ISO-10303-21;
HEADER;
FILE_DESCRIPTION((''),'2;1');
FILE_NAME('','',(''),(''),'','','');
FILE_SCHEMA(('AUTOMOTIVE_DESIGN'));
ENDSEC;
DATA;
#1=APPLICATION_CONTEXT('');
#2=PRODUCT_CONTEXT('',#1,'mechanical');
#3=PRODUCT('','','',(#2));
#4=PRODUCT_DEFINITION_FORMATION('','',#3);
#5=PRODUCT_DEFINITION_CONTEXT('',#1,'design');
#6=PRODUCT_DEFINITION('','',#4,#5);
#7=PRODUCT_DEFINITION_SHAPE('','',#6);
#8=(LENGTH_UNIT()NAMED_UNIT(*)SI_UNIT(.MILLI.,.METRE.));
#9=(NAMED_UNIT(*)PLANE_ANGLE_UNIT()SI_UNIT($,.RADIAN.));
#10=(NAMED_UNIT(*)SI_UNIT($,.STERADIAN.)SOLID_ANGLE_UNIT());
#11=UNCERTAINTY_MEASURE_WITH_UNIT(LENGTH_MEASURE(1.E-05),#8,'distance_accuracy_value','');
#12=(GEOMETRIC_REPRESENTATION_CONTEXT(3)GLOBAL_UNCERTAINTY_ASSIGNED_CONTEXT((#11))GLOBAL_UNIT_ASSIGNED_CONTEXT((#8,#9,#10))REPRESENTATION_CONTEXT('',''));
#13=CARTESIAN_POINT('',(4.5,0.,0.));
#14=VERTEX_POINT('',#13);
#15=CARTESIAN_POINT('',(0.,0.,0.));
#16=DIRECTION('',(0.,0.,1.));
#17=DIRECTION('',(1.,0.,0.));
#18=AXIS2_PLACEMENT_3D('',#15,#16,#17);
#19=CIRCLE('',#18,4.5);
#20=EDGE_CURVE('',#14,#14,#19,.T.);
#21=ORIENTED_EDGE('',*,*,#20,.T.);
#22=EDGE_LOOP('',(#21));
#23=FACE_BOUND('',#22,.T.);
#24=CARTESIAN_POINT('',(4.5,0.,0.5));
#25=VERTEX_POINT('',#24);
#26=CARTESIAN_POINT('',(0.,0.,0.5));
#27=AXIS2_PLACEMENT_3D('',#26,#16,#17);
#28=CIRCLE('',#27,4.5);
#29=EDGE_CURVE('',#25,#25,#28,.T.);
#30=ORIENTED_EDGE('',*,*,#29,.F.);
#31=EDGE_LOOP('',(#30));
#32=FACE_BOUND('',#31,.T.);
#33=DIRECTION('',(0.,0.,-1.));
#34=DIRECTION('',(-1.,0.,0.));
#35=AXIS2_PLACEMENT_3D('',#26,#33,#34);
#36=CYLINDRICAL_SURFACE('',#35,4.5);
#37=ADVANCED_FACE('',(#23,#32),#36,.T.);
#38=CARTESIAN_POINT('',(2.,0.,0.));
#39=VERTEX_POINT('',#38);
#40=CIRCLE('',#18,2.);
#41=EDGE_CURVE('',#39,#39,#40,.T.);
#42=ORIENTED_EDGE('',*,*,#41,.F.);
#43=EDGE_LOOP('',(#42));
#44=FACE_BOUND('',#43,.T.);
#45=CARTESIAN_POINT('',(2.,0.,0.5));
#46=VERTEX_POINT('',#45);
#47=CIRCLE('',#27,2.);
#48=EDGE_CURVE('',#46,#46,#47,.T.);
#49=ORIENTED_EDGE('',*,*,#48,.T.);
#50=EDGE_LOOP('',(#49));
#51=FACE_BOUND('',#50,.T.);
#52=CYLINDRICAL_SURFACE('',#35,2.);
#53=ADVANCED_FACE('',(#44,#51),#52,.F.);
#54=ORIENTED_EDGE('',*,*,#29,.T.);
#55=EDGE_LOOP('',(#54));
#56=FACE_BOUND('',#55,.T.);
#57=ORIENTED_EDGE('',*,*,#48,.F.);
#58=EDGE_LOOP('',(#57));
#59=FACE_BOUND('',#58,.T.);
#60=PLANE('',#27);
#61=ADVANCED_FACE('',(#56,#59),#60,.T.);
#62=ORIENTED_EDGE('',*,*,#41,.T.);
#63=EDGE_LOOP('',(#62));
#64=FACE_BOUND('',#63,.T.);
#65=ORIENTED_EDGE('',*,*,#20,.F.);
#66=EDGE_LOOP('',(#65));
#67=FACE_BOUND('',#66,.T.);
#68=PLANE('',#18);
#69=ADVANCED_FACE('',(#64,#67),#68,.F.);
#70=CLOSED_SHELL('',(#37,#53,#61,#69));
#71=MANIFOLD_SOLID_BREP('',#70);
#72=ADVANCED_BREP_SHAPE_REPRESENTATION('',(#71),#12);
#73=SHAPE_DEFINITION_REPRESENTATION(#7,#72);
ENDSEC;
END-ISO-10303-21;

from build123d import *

# Parameters (mm, degrees)
SKETCH_1_R      = 4.5
SKETCH_1_R_2    = 2
EXTRUDE_1_DEPTH = 0.5


with BuildPart() as part:
    # 草图1 → 凸台-拉伸1 (new body)
    with BuildSketch(Plane.XY):
        Circle(SKETCH_1_R)
        Circle(SKETCH_1_R_2, mode=Mode.SUBTRACT)
    extrude(amount=EXTRUDE_1_DEPTH)


solid = part.part
